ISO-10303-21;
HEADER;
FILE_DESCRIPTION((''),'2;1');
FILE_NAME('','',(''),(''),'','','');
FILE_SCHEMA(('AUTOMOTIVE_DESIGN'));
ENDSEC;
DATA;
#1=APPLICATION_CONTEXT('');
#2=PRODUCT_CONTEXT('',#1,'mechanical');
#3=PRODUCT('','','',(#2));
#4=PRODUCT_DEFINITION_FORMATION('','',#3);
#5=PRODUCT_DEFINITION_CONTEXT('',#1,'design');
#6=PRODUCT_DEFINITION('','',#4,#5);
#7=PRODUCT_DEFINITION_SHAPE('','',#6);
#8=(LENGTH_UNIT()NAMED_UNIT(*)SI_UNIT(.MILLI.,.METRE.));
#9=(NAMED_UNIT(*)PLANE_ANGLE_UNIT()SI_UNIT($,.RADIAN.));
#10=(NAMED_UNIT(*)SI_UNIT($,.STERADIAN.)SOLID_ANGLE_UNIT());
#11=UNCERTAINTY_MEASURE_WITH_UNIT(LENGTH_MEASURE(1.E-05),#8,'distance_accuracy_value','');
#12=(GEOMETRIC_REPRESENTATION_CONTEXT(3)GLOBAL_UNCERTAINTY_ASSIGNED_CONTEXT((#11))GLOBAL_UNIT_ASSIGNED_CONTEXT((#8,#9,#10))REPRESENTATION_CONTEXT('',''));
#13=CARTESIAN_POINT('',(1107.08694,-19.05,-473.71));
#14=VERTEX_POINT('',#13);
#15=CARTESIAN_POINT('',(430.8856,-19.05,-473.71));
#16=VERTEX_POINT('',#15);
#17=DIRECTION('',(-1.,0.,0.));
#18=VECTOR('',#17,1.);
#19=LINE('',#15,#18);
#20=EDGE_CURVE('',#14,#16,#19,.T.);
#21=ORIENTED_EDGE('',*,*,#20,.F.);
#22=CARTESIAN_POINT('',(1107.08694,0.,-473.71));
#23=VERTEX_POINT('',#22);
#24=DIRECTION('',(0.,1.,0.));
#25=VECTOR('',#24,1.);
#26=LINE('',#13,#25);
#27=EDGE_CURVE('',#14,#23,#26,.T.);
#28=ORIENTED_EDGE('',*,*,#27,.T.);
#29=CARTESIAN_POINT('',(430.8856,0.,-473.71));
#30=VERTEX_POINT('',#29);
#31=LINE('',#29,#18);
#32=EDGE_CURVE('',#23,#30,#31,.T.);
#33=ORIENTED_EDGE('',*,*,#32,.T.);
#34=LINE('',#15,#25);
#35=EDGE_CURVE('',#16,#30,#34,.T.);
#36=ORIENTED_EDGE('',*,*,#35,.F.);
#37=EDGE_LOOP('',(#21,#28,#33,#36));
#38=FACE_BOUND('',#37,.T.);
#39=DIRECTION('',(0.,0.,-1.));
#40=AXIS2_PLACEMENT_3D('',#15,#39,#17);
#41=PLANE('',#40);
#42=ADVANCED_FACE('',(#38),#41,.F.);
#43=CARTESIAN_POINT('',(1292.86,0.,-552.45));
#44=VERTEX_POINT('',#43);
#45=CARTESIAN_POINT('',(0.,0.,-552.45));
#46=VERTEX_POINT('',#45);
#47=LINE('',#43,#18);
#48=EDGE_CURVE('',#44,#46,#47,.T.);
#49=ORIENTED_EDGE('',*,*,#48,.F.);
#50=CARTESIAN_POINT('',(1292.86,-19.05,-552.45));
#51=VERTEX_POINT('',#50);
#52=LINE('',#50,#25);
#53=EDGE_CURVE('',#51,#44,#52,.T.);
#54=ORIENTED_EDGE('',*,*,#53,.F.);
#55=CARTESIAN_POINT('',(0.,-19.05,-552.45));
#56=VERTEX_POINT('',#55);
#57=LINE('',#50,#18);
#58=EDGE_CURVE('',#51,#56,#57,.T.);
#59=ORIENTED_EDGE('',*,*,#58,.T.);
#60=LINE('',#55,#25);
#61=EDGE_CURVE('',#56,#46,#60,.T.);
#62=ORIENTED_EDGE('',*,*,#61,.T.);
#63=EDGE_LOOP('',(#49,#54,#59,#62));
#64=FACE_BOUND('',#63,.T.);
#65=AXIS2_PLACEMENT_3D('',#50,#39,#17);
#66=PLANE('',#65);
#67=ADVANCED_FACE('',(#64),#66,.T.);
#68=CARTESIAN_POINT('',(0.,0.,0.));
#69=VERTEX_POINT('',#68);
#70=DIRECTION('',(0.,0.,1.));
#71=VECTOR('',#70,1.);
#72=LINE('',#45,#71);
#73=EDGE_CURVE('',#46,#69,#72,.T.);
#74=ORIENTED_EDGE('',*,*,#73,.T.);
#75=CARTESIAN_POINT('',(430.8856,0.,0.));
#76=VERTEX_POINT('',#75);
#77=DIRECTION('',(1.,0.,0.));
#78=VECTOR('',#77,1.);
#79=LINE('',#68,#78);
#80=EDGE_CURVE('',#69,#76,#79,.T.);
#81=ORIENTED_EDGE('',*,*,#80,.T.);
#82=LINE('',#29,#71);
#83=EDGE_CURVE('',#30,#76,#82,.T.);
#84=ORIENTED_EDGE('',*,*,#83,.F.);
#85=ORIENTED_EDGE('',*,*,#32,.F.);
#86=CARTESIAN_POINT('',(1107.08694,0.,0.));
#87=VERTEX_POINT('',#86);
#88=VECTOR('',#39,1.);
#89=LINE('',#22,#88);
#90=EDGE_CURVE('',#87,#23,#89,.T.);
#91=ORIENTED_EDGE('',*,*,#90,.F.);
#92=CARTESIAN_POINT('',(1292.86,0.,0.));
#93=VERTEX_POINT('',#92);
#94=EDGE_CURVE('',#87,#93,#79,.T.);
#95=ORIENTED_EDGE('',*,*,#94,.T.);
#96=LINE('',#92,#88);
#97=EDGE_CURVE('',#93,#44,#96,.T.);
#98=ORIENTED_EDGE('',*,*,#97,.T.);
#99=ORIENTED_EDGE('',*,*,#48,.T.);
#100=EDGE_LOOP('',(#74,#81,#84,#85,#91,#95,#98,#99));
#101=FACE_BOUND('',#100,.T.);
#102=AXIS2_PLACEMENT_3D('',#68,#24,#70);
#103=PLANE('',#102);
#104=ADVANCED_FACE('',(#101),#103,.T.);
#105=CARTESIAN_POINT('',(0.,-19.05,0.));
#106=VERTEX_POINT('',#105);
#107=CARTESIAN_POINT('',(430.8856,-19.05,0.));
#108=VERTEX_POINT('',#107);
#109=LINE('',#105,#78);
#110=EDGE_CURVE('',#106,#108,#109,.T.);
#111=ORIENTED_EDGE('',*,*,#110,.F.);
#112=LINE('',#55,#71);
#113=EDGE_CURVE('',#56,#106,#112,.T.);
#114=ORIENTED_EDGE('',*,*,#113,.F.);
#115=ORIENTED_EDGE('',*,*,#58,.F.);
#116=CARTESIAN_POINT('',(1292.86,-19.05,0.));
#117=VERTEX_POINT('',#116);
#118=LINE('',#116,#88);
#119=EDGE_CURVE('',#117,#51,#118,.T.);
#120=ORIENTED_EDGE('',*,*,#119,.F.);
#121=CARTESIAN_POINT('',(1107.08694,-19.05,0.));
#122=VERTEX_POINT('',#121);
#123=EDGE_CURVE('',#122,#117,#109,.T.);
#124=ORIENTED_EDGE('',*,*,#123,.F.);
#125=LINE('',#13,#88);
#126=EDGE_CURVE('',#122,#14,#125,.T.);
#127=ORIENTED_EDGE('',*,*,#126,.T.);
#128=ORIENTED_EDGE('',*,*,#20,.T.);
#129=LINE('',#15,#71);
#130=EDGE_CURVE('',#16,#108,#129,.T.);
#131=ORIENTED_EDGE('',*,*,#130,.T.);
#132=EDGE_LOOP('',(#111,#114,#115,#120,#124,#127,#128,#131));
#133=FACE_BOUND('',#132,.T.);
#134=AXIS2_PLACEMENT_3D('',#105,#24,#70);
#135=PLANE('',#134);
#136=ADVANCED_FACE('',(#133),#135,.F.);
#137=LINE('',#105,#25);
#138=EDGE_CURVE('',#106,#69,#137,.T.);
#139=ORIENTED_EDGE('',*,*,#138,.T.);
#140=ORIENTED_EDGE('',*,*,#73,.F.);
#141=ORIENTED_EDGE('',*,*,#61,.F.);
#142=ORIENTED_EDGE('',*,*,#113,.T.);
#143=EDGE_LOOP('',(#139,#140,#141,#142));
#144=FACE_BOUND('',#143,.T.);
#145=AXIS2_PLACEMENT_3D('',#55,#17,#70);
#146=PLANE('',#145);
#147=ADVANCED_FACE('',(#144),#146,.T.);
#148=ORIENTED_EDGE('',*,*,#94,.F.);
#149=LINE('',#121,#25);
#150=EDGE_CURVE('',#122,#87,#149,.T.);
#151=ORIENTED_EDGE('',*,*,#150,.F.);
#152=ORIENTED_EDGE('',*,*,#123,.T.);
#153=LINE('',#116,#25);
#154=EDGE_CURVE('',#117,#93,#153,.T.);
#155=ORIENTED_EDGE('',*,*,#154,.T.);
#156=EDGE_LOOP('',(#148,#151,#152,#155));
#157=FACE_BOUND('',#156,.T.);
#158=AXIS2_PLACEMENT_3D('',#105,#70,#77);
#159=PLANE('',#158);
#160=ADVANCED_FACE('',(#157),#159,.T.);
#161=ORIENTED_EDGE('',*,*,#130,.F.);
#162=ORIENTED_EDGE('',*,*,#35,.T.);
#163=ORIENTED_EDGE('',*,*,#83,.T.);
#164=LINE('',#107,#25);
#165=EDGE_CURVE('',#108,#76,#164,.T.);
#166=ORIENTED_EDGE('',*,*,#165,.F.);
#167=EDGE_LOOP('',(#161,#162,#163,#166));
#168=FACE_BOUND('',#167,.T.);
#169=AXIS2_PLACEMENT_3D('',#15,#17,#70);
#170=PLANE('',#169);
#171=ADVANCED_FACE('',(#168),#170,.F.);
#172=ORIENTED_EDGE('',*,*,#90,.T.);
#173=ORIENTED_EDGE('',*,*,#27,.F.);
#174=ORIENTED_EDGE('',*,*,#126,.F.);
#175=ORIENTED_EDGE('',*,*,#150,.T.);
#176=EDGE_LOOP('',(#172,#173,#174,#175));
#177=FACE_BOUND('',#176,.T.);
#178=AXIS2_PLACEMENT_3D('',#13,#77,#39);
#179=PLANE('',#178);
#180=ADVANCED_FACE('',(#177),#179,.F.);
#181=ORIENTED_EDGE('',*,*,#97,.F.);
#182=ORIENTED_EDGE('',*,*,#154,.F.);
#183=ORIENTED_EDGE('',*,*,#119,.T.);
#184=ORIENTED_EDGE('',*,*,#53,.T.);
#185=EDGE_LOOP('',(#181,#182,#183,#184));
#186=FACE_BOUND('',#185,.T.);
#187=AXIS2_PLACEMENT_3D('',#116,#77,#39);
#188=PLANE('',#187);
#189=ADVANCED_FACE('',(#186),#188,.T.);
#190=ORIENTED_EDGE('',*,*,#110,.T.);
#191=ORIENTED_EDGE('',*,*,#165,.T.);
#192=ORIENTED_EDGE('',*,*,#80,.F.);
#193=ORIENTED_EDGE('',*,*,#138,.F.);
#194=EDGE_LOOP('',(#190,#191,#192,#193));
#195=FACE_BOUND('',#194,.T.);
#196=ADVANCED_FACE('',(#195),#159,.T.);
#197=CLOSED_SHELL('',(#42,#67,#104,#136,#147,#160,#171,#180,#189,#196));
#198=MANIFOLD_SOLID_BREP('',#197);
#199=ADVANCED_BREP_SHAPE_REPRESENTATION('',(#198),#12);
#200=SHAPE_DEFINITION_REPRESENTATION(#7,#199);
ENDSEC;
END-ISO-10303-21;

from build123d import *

# Parameters (mm, degrees)
SKETCH1_W           = 1292.86
SKETCH1_H           = 552.45
BOSS_EXTRUDE1_DEPTH = 19.05
SKETCH4_W           = 676.20134
SKETCH4_H           = 473.71
CUT_EXTRUDE3_DEPTH  = 20.05


with BuildPart() as part:
    # Sketch1 → Boss-Extrude1 (new body)
    with BuildSketch(Plane(origin=(0, 0, 0), x_dir=(1, 0, 0), z_dir=(0, 1, 0))):
        with Locations((646.43, 276.225)):
            Rectangle(SKETCH1_W, SKETCH1_H)
    extrude(amount=-BOSS_EXTRUDE1_DEPTH)

    # Sketch4 → Cut-Extrude3 (cut, through all)
    with BuildSketch(Plane(origin=(0, 0, 0), x_dir=(1, 0, 0), z_dir=(0, 1, 0))):
        with Locations((768.98627, 236.855)):
            Rectangle(SKETCH4_W, SKETCH4_H)
    extrude(amount=-CUT_EXTRUDE3_DEPTH, mode=Mode.SUBTRACT)


solid = part.part
